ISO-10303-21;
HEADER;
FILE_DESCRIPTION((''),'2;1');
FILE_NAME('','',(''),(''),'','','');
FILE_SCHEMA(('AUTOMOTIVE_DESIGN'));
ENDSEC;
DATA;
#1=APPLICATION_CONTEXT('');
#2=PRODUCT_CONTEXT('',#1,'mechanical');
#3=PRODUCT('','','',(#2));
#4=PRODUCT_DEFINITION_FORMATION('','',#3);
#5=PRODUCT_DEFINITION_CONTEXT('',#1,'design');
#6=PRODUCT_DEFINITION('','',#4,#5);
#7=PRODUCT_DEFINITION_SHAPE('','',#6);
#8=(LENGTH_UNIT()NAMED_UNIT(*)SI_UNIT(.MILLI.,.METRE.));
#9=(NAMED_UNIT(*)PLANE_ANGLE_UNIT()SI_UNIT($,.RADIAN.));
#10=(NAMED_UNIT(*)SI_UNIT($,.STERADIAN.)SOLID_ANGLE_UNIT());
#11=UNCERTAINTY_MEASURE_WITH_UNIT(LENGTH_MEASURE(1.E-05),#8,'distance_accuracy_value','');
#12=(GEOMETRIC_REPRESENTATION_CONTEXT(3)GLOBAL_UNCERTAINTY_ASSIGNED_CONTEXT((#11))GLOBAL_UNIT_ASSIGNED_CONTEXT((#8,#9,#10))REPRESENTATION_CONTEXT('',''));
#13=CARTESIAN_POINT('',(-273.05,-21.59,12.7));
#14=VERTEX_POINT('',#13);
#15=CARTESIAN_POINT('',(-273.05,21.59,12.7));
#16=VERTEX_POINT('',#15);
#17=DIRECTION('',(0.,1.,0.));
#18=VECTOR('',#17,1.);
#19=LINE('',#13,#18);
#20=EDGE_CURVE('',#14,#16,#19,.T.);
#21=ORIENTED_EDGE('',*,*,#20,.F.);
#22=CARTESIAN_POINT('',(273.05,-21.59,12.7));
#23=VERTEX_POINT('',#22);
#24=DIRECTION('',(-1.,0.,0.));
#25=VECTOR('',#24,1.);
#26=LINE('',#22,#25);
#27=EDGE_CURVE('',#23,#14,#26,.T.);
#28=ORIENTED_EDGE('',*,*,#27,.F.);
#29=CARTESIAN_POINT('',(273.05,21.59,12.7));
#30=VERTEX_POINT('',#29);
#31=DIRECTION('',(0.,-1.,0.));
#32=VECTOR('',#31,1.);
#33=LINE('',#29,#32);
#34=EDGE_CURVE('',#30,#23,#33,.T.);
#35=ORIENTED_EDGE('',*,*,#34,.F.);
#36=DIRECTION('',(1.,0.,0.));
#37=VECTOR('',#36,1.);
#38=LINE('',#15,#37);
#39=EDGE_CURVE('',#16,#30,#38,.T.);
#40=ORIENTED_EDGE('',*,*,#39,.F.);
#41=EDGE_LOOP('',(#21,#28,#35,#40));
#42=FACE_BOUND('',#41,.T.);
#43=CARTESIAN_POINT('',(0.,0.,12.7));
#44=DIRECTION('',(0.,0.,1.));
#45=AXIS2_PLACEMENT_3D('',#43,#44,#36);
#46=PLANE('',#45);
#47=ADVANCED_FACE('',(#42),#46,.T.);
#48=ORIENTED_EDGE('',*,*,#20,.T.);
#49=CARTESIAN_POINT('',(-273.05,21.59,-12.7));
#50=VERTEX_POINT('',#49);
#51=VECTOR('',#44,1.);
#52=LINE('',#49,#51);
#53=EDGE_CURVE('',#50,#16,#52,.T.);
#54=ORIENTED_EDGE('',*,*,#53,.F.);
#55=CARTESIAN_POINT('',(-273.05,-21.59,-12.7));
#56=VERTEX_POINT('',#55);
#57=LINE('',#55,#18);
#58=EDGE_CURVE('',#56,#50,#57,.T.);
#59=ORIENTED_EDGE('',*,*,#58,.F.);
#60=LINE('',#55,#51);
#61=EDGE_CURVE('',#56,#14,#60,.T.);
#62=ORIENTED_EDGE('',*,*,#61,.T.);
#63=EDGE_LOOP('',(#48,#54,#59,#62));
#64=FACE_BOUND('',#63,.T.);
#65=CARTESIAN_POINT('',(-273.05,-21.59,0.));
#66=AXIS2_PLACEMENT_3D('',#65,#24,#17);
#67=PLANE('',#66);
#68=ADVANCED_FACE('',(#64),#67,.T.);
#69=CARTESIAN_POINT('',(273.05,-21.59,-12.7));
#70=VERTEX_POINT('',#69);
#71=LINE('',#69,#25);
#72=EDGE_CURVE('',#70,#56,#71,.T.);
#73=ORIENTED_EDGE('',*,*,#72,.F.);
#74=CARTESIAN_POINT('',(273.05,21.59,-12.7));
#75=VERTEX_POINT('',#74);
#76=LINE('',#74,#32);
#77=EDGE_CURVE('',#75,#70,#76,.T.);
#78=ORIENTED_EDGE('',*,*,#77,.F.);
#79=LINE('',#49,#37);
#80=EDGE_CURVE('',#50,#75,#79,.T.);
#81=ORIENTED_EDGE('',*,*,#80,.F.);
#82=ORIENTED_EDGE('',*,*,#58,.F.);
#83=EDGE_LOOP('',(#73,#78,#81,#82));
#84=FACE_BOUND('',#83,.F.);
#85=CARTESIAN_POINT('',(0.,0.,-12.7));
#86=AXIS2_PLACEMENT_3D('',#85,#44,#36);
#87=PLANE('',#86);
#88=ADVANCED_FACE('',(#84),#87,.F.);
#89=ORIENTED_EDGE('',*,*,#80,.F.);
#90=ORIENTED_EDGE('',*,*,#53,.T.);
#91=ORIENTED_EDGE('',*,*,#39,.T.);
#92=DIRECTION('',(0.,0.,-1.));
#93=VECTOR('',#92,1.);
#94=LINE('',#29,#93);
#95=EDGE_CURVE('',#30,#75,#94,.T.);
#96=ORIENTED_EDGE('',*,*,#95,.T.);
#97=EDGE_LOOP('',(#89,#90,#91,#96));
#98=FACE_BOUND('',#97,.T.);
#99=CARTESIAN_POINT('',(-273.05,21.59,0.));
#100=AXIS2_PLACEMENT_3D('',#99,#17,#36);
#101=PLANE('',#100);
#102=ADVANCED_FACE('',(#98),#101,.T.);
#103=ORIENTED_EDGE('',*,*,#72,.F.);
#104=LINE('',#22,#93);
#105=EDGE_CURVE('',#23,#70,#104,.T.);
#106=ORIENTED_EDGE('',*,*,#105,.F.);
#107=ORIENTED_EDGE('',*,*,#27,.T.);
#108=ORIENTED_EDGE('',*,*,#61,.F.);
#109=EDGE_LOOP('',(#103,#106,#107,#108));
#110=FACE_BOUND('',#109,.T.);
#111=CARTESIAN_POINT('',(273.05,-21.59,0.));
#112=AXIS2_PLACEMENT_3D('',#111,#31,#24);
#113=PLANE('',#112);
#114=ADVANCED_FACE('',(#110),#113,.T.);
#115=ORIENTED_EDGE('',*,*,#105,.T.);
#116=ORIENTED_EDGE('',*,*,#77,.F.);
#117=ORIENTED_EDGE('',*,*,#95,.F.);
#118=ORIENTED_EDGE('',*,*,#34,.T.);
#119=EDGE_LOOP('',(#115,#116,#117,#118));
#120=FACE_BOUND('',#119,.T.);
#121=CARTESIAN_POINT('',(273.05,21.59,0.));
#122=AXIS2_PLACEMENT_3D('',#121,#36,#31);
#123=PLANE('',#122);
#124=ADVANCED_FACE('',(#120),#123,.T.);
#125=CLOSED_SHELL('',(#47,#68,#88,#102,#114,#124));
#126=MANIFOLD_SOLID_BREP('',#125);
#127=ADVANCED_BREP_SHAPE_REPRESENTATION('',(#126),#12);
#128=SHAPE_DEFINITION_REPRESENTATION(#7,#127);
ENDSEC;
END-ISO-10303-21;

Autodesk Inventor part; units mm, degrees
ref_plane "YZ Plane" through (0, 0, 0) normal (1, 0, 0) x (0, 1, 0)
ref_plane "XZ Plane" through (0, 0, 0) normal (0, 1, 0) x (-1, 0, 0)
ref_plane "XY Plane" through (0, 0, 0) normal (0, 0, 1) x (1, 0, 0)
sketch "Sketch1" plane through (0, 0, 0) normal (0, 0, 1) x (1, 0, 0)
  line L0 (-273.05, 21.59) -> (273.05, 21.59)
  line L1 (273.05, 21.59) -> (273.05, -21.59)
  line L2 (273.05, -21.59) -> (-273.05, -21.59)
  line L3 (-273.05, -21.59) -> (-273.05, 21.59)
  line L4 (-273.05, 21.59) -> (273.05, -21.59) construction
  line L5 (273.05, 21.59) -> (-273.05, -21.59) construction
  point P0 (0, 0)
  dimension "d0" = 546.1
  dimension "d1" = 43.18
extrude "Extrusion1" add sketch "Sketch1" along normal mid plane 25.4
properties part number "CNC-X-axis- linear drawer slider" material "Stainless Steel"
